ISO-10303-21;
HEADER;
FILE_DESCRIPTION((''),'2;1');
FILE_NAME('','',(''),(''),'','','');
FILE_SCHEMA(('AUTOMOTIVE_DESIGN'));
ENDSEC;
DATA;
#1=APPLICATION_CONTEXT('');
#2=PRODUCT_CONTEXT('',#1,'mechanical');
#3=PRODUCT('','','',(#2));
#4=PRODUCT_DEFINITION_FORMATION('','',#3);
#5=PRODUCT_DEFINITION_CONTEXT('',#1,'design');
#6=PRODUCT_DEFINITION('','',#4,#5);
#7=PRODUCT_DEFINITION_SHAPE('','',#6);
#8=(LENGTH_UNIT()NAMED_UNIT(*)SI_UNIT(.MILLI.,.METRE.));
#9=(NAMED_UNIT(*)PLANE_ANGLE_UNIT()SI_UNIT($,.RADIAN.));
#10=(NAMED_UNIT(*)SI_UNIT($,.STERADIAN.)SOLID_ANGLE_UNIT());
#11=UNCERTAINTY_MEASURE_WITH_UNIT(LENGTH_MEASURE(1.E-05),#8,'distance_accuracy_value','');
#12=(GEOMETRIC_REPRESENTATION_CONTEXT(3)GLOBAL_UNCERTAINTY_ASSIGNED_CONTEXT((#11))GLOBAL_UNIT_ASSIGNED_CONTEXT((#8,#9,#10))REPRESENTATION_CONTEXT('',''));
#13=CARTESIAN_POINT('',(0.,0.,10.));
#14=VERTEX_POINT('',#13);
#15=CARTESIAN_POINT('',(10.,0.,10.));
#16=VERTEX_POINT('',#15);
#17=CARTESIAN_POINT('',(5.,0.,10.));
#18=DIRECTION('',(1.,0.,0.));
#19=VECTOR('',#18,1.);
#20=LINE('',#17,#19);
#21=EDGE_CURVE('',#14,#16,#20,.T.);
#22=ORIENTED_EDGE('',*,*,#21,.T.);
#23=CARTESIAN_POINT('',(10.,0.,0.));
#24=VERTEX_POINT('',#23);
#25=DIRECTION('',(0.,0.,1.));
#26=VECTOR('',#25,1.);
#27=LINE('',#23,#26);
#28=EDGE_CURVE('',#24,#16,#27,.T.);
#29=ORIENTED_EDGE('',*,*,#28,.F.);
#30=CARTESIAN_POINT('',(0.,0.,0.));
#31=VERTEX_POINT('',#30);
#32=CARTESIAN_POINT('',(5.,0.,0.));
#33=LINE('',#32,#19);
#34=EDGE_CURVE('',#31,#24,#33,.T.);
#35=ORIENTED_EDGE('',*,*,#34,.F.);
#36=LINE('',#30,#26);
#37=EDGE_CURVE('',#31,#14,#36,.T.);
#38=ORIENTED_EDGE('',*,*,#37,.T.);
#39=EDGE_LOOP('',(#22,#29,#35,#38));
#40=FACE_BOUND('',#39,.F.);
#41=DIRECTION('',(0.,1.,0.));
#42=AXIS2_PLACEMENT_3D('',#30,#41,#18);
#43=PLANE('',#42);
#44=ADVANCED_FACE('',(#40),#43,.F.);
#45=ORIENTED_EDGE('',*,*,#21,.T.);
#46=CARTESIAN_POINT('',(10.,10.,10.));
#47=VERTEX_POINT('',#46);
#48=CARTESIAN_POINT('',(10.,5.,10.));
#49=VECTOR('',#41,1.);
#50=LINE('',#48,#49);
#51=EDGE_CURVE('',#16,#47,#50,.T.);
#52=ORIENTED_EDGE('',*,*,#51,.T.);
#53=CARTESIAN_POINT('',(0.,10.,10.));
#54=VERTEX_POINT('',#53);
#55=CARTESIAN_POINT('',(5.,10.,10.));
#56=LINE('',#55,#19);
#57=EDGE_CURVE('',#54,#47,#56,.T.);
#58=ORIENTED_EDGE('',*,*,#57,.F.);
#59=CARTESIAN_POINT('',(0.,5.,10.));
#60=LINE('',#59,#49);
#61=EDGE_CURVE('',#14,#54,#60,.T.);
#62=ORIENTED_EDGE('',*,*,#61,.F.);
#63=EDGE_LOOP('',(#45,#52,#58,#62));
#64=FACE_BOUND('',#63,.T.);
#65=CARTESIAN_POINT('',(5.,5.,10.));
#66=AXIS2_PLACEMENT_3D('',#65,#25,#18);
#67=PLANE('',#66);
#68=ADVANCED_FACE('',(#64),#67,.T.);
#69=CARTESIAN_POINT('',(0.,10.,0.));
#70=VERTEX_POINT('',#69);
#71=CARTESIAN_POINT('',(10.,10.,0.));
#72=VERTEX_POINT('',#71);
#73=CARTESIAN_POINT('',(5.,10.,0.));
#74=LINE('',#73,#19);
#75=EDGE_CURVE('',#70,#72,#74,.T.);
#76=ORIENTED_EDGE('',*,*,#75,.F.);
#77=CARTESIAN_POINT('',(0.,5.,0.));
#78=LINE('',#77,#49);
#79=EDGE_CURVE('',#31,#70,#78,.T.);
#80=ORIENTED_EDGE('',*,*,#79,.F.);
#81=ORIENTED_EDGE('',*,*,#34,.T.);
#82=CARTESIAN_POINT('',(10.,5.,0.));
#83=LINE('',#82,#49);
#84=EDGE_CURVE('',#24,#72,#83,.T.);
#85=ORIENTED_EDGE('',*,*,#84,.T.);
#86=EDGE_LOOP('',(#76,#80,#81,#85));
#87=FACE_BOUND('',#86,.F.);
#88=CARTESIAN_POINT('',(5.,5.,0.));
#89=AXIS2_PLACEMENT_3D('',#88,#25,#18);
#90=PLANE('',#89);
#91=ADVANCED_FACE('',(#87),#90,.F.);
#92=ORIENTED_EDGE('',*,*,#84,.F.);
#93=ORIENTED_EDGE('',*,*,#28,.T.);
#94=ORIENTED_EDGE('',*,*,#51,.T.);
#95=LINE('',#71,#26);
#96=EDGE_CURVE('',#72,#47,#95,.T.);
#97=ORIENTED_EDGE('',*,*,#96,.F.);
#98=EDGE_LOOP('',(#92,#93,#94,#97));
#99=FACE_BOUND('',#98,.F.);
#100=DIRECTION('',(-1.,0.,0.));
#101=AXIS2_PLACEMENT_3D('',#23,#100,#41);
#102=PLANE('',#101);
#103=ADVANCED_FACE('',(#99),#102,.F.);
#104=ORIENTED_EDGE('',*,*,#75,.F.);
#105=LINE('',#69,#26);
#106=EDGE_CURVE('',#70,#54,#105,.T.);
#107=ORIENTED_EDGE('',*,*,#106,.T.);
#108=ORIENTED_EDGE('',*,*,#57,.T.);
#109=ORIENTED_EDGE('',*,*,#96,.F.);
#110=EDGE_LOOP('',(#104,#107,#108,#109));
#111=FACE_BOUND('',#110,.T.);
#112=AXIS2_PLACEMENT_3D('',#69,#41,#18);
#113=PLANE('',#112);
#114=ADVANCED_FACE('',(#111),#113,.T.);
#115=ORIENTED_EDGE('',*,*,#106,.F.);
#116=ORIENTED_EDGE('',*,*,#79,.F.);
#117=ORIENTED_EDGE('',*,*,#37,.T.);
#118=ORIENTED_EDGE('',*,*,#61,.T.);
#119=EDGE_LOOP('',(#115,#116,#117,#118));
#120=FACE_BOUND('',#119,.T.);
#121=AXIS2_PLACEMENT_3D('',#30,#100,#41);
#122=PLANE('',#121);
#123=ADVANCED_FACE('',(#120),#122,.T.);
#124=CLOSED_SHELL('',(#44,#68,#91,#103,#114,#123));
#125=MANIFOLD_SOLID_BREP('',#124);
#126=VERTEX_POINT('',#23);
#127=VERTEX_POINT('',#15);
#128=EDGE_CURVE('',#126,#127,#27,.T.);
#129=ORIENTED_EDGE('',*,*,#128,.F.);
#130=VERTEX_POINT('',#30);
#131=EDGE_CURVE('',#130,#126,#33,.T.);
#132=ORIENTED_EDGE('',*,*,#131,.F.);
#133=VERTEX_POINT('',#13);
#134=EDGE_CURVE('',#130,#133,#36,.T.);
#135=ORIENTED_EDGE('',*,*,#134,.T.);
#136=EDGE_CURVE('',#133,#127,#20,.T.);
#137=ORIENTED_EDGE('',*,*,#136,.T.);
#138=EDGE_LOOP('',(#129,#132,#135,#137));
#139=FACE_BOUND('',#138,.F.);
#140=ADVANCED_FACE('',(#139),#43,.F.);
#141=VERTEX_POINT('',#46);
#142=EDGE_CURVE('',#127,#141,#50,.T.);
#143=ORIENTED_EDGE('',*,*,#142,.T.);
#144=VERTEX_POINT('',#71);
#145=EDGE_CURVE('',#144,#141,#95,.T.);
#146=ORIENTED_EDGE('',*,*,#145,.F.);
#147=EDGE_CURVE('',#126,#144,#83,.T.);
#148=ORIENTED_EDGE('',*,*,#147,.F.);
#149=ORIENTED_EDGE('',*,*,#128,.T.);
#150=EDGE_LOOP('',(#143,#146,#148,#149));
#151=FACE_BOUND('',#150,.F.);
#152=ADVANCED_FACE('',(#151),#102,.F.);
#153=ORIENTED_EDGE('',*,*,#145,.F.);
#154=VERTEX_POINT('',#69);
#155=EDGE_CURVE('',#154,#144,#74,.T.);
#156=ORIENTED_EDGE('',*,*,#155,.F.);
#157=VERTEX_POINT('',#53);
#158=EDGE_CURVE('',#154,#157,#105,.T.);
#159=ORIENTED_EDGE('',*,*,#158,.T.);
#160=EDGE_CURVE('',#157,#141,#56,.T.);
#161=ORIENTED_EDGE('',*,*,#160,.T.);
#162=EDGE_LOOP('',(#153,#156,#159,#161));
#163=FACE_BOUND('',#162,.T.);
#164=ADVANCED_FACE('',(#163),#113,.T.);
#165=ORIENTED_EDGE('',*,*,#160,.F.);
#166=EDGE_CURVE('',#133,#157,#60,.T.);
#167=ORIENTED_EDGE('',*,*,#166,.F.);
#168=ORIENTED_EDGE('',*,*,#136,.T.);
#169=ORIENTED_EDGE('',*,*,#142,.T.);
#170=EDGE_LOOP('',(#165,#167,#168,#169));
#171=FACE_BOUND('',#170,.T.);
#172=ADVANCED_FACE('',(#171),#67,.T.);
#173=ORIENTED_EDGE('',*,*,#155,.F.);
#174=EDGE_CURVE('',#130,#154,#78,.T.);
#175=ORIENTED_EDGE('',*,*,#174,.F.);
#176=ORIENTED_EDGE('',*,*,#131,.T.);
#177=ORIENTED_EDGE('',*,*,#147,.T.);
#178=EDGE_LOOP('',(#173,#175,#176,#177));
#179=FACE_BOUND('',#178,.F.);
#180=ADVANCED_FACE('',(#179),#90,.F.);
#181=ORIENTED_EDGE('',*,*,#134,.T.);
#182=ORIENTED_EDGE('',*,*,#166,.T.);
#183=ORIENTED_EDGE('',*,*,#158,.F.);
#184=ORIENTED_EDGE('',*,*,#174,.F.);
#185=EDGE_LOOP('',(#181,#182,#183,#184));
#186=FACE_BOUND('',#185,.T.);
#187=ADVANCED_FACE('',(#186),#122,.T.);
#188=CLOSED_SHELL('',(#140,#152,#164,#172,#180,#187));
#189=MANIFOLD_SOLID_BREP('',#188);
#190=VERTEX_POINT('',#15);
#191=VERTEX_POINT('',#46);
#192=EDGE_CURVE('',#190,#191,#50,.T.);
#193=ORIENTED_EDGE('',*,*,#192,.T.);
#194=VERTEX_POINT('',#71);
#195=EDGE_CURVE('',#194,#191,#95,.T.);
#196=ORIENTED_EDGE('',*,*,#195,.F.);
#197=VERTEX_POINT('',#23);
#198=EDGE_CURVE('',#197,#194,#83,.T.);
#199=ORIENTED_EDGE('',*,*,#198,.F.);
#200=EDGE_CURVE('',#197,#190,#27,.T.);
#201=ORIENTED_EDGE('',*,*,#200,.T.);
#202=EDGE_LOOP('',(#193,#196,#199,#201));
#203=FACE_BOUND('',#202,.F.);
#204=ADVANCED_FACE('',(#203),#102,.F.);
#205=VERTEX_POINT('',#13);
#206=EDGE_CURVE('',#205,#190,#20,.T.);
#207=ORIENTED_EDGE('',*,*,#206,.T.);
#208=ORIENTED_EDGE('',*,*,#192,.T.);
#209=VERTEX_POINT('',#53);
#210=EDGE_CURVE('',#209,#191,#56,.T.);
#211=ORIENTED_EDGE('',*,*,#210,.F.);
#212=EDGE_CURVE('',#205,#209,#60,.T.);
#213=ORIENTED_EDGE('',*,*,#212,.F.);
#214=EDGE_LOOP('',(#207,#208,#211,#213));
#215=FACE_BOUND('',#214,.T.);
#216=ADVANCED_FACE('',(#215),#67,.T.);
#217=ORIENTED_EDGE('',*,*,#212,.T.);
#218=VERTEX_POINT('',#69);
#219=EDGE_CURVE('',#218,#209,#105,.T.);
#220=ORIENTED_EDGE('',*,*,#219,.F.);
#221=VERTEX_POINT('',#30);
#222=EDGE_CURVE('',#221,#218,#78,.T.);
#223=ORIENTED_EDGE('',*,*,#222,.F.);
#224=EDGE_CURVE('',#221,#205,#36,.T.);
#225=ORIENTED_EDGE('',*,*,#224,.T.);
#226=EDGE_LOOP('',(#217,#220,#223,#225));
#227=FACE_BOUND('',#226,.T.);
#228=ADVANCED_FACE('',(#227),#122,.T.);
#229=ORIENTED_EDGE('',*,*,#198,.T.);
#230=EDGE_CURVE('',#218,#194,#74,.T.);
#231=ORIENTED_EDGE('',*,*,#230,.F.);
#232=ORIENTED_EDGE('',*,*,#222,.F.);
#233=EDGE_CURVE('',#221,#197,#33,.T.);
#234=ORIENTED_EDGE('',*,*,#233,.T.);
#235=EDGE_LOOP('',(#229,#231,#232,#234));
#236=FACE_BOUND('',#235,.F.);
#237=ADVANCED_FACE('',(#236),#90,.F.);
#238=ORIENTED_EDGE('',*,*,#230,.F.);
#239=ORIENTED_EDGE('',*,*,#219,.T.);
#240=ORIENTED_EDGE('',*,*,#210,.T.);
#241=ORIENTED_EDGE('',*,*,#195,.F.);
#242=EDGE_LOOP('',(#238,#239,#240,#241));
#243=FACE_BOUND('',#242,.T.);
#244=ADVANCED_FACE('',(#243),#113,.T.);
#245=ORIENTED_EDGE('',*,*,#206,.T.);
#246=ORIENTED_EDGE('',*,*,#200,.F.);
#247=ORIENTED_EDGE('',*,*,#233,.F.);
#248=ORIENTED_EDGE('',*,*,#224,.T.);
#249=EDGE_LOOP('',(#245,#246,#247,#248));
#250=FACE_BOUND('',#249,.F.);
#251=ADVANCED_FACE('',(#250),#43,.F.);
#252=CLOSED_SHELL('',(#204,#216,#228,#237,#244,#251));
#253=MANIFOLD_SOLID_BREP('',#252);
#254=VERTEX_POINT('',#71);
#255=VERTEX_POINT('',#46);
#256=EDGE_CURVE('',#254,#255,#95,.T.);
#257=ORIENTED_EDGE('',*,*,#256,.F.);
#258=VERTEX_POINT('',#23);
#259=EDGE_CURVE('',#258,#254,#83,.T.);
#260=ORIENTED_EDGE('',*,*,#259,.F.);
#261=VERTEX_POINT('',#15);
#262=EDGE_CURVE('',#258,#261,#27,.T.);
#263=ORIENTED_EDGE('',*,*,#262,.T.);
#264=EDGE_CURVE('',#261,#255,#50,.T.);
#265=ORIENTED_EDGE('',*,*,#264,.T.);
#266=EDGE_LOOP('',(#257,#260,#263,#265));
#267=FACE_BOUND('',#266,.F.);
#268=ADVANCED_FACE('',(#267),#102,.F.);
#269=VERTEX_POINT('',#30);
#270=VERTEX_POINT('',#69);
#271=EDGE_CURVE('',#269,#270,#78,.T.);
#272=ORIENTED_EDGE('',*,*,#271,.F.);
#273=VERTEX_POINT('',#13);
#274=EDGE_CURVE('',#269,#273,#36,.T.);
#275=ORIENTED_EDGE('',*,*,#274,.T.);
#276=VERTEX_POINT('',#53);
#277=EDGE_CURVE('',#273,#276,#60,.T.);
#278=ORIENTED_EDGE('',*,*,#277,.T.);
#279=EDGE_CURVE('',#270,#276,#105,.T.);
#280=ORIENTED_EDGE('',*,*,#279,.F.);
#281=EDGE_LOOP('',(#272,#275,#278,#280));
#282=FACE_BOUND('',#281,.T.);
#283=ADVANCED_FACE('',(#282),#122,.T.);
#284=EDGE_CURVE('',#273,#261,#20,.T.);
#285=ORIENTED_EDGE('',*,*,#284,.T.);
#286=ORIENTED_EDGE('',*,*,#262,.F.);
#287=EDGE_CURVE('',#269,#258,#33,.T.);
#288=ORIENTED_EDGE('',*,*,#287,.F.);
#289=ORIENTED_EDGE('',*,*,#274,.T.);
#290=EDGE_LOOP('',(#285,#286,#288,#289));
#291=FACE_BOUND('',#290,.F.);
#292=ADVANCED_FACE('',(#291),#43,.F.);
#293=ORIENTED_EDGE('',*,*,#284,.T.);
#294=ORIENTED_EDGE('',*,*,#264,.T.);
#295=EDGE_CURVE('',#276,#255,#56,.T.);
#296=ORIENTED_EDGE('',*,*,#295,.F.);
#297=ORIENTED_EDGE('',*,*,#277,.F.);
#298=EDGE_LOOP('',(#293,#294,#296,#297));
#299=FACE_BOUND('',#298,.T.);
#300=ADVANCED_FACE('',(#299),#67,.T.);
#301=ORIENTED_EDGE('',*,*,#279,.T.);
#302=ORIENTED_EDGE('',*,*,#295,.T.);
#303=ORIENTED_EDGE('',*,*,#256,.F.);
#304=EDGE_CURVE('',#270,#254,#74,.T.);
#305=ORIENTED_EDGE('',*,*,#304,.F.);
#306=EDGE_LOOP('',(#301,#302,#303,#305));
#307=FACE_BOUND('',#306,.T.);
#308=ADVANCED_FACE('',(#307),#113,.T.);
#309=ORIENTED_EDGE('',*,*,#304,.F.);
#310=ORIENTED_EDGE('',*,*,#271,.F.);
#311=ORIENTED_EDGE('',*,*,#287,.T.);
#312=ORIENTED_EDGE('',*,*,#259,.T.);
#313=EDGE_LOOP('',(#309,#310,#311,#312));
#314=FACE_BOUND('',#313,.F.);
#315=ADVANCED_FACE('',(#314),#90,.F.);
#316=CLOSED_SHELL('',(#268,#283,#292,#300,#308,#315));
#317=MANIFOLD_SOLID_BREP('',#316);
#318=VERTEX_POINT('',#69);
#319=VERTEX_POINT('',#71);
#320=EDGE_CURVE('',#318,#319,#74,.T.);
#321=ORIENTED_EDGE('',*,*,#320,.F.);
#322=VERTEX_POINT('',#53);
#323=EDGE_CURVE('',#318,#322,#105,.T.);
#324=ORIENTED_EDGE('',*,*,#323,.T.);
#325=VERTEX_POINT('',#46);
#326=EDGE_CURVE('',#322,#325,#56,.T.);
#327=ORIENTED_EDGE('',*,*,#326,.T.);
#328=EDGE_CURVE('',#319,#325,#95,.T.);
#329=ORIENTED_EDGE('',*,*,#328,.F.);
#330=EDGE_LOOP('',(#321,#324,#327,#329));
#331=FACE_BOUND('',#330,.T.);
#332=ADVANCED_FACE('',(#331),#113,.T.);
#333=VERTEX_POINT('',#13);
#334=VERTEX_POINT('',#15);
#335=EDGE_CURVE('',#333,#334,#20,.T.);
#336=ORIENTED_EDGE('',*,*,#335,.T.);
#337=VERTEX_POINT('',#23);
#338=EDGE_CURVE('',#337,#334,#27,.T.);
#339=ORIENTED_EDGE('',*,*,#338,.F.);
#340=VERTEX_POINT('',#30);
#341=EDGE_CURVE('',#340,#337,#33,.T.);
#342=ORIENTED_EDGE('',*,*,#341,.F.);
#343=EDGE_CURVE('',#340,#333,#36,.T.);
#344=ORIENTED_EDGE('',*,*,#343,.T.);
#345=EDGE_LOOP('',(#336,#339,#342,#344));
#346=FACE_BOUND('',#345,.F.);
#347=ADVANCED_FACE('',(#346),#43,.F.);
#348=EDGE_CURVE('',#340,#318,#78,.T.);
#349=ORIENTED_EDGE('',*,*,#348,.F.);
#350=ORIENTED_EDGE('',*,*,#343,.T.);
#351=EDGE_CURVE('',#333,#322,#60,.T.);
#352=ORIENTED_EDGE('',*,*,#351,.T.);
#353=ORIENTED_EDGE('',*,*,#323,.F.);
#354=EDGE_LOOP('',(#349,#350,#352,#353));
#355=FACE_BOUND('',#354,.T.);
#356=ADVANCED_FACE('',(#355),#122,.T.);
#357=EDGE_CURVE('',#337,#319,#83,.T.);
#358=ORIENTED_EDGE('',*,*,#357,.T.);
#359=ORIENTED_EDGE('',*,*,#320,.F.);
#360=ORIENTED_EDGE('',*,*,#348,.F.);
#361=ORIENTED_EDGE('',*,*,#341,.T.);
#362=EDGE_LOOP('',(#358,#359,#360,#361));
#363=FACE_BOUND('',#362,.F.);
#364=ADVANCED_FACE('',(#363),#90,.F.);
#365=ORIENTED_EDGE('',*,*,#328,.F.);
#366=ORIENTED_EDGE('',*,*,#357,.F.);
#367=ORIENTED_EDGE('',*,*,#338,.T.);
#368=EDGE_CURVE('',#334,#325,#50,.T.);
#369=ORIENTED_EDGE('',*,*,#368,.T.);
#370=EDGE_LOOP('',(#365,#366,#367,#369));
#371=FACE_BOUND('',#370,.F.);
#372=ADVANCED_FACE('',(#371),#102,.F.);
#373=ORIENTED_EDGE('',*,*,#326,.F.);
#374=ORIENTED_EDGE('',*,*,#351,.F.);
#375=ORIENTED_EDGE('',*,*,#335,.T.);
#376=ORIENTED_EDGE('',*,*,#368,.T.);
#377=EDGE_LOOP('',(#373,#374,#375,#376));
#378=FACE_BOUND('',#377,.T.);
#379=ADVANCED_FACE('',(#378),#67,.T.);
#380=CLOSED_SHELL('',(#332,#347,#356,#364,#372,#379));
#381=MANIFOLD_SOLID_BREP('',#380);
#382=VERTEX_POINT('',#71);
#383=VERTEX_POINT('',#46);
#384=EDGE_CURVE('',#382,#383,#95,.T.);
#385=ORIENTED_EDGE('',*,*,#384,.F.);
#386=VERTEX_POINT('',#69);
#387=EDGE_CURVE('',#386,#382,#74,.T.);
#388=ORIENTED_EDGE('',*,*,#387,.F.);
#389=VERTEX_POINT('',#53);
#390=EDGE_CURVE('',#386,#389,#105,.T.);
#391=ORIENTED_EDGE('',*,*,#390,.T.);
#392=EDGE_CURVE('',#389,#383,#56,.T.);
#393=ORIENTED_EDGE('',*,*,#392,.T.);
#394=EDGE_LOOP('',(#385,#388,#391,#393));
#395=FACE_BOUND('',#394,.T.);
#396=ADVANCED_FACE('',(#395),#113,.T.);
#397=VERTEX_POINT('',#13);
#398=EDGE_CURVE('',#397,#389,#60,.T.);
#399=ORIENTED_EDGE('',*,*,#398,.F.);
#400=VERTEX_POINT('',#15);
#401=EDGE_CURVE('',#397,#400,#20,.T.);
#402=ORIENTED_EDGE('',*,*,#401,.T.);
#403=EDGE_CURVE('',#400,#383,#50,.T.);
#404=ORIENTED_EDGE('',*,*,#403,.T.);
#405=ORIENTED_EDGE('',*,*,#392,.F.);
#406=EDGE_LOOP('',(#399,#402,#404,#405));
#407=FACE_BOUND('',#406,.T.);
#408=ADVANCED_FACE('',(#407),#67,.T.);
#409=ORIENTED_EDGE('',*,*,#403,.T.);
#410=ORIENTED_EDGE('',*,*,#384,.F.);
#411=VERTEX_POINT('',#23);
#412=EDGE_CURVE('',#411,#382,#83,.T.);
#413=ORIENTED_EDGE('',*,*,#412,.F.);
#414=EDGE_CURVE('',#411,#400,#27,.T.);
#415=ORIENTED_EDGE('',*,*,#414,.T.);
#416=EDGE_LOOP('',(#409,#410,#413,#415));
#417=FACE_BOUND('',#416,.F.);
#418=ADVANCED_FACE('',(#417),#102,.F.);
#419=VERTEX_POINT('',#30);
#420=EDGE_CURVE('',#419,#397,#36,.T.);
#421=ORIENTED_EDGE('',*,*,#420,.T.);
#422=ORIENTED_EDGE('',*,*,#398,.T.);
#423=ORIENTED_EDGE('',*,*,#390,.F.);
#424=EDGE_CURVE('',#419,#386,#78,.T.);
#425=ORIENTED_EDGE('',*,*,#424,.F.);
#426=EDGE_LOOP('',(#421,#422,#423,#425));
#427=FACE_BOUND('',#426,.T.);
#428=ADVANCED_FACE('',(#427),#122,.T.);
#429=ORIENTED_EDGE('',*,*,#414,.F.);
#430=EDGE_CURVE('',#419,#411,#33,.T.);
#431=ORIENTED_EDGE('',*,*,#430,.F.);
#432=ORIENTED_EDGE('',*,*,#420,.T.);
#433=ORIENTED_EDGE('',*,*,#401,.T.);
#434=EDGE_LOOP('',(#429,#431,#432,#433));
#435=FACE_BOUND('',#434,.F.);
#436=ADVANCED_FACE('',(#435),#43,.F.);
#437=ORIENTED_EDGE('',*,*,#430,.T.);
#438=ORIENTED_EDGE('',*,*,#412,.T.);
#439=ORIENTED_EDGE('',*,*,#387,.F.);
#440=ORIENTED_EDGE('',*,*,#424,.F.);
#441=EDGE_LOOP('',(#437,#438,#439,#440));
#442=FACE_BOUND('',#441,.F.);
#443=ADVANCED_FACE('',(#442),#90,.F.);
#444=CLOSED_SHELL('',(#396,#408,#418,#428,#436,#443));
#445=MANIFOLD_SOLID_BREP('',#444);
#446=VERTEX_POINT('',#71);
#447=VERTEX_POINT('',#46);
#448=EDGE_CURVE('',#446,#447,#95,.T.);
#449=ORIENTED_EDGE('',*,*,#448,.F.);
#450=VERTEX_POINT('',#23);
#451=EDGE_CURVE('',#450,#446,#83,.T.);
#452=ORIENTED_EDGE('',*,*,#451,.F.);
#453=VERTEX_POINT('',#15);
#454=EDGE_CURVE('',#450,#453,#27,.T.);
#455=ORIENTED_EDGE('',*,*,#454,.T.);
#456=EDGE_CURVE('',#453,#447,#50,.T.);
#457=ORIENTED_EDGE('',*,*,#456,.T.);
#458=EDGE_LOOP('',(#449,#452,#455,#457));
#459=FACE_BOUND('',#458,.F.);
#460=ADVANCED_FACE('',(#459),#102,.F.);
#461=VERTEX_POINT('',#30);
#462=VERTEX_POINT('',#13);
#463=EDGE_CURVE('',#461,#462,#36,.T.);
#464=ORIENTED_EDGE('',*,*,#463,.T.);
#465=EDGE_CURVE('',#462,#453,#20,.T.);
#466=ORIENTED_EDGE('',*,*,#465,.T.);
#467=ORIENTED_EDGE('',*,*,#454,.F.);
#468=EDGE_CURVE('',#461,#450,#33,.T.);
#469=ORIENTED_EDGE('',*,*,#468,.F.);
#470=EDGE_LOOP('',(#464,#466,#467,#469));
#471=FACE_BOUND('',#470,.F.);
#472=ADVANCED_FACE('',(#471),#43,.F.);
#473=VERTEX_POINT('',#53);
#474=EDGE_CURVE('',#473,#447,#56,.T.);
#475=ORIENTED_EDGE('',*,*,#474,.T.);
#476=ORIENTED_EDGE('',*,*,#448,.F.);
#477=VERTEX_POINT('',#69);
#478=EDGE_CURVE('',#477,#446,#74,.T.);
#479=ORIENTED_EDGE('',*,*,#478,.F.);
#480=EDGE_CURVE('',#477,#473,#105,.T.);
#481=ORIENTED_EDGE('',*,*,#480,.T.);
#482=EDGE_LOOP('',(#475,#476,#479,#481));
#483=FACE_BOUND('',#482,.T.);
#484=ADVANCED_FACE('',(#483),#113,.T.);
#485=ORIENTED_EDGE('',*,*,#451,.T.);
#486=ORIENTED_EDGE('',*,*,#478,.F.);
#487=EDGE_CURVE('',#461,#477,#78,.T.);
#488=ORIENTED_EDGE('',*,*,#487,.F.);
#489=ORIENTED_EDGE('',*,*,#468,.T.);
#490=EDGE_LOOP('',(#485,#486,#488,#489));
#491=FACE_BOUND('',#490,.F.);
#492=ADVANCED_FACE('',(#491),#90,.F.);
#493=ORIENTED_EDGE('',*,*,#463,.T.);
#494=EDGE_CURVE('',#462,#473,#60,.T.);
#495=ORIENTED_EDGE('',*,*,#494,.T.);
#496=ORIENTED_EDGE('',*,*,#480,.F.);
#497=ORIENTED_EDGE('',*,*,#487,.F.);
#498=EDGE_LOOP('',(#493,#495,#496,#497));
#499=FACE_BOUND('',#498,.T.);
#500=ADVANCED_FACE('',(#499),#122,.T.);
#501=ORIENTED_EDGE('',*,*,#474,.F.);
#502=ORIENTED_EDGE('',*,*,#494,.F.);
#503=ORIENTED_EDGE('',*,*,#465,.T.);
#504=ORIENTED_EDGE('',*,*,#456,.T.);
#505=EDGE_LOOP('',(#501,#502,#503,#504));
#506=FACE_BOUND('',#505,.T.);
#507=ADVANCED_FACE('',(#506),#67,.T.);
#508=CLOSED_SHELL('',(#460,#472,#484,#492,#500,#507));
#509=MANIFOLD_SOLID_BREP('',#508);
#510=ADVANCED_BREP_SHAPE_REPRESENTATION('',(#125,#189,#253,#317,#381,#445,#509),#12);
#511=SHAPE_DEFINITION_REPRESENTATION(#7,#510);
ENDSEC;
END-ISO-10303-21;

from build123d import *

# Parameters (mm, degrees)
BOX_W        = 10
BOX_H        = 10
BOX_DEPTH    = 10
BOX001_W     = 10
BOX001_H     = 10
BOX001_DEPTH = 10
BOX002_W     = 10
BOX002_H     = 10
BOX002_DEPTH = 10
BOX003_W     = 10
BOX003_H     = 10
BOX003_DEPTH = 10
BOX004_W     = 10
BOX004_H     = 10
BOX004_DEPTH = 10
BOX005_W     = 10
BOX005_H     = 10
BOX005_DEPTH = 10
BOX006_W     = 10
BOX006_H     = 10
BOX006_DEPTH = 10


with BuildPart() as cubo:
    # Box → Box (new body)
    with BuildSketch(Plane.XY):
        with Locations((5, 5)):
            Rectangle(BOX_W, BOX_H)
    extrude(amount=BOX_DEPTH)


with BuildPart() as cubo001:
    # Box001 → Box001 (new body)
    with BuildSketch(Plane.XY):
        with Locations((5, 5)):
            Rectangle(BOX001_W, BOX001_H)
    extrude(amount=BOX001_DEPTH)


with BuildPart() as cubo002:
    # Box002 → Box002 (new body)
    with BuildSketch(Plane.XY):
        with Locations((5, 5)):
            Rectangle(BOX002_W, BOX002_H)
    extrude(amount=BOX002_DEPTH)


with BuildPart() as cubo003:
    # Box003 → Box003 (new body)
    with BuildSketch(Plane.XY):
        with Locations((5, 5)):
            Rectangle(BOX003_W, BOX003_H)
    extrude(amount=BOX003_DEPTH)


with BuildPart() as cubo004:
    # Box004 → Box004 (new body)
    with BuildSketch(Plane.XY):
        with Locations((5, 5)):
            Rectangle(BOX004_W, BOX004_H)
    extrude(amount=BOX004_DEPTH)


with BuildPart() as cubo005:
    # Box005 → Box005 (new body)
    with BuildSketch(Plane.XY):
        with Locations((5, 5)):
            Rectangle(BOX005_W, BOX005_H)
    extrude(amount=BOX005_DEPTH)


with BuildPart() as cubo006:
    # Box006 → Box006 (new body)
    with BuildSketch(Plane.XY):
        with Locations((5, 5)):
            Rectangle(BOX006_W, BOX006_H)
    extrude(amount=BOX006_DEPTH)


solid = Compound([cubo.part, cubo001.part, cubo002.part, cubo003.part, cubo004.part, cubo005.part, cubo006.part])
